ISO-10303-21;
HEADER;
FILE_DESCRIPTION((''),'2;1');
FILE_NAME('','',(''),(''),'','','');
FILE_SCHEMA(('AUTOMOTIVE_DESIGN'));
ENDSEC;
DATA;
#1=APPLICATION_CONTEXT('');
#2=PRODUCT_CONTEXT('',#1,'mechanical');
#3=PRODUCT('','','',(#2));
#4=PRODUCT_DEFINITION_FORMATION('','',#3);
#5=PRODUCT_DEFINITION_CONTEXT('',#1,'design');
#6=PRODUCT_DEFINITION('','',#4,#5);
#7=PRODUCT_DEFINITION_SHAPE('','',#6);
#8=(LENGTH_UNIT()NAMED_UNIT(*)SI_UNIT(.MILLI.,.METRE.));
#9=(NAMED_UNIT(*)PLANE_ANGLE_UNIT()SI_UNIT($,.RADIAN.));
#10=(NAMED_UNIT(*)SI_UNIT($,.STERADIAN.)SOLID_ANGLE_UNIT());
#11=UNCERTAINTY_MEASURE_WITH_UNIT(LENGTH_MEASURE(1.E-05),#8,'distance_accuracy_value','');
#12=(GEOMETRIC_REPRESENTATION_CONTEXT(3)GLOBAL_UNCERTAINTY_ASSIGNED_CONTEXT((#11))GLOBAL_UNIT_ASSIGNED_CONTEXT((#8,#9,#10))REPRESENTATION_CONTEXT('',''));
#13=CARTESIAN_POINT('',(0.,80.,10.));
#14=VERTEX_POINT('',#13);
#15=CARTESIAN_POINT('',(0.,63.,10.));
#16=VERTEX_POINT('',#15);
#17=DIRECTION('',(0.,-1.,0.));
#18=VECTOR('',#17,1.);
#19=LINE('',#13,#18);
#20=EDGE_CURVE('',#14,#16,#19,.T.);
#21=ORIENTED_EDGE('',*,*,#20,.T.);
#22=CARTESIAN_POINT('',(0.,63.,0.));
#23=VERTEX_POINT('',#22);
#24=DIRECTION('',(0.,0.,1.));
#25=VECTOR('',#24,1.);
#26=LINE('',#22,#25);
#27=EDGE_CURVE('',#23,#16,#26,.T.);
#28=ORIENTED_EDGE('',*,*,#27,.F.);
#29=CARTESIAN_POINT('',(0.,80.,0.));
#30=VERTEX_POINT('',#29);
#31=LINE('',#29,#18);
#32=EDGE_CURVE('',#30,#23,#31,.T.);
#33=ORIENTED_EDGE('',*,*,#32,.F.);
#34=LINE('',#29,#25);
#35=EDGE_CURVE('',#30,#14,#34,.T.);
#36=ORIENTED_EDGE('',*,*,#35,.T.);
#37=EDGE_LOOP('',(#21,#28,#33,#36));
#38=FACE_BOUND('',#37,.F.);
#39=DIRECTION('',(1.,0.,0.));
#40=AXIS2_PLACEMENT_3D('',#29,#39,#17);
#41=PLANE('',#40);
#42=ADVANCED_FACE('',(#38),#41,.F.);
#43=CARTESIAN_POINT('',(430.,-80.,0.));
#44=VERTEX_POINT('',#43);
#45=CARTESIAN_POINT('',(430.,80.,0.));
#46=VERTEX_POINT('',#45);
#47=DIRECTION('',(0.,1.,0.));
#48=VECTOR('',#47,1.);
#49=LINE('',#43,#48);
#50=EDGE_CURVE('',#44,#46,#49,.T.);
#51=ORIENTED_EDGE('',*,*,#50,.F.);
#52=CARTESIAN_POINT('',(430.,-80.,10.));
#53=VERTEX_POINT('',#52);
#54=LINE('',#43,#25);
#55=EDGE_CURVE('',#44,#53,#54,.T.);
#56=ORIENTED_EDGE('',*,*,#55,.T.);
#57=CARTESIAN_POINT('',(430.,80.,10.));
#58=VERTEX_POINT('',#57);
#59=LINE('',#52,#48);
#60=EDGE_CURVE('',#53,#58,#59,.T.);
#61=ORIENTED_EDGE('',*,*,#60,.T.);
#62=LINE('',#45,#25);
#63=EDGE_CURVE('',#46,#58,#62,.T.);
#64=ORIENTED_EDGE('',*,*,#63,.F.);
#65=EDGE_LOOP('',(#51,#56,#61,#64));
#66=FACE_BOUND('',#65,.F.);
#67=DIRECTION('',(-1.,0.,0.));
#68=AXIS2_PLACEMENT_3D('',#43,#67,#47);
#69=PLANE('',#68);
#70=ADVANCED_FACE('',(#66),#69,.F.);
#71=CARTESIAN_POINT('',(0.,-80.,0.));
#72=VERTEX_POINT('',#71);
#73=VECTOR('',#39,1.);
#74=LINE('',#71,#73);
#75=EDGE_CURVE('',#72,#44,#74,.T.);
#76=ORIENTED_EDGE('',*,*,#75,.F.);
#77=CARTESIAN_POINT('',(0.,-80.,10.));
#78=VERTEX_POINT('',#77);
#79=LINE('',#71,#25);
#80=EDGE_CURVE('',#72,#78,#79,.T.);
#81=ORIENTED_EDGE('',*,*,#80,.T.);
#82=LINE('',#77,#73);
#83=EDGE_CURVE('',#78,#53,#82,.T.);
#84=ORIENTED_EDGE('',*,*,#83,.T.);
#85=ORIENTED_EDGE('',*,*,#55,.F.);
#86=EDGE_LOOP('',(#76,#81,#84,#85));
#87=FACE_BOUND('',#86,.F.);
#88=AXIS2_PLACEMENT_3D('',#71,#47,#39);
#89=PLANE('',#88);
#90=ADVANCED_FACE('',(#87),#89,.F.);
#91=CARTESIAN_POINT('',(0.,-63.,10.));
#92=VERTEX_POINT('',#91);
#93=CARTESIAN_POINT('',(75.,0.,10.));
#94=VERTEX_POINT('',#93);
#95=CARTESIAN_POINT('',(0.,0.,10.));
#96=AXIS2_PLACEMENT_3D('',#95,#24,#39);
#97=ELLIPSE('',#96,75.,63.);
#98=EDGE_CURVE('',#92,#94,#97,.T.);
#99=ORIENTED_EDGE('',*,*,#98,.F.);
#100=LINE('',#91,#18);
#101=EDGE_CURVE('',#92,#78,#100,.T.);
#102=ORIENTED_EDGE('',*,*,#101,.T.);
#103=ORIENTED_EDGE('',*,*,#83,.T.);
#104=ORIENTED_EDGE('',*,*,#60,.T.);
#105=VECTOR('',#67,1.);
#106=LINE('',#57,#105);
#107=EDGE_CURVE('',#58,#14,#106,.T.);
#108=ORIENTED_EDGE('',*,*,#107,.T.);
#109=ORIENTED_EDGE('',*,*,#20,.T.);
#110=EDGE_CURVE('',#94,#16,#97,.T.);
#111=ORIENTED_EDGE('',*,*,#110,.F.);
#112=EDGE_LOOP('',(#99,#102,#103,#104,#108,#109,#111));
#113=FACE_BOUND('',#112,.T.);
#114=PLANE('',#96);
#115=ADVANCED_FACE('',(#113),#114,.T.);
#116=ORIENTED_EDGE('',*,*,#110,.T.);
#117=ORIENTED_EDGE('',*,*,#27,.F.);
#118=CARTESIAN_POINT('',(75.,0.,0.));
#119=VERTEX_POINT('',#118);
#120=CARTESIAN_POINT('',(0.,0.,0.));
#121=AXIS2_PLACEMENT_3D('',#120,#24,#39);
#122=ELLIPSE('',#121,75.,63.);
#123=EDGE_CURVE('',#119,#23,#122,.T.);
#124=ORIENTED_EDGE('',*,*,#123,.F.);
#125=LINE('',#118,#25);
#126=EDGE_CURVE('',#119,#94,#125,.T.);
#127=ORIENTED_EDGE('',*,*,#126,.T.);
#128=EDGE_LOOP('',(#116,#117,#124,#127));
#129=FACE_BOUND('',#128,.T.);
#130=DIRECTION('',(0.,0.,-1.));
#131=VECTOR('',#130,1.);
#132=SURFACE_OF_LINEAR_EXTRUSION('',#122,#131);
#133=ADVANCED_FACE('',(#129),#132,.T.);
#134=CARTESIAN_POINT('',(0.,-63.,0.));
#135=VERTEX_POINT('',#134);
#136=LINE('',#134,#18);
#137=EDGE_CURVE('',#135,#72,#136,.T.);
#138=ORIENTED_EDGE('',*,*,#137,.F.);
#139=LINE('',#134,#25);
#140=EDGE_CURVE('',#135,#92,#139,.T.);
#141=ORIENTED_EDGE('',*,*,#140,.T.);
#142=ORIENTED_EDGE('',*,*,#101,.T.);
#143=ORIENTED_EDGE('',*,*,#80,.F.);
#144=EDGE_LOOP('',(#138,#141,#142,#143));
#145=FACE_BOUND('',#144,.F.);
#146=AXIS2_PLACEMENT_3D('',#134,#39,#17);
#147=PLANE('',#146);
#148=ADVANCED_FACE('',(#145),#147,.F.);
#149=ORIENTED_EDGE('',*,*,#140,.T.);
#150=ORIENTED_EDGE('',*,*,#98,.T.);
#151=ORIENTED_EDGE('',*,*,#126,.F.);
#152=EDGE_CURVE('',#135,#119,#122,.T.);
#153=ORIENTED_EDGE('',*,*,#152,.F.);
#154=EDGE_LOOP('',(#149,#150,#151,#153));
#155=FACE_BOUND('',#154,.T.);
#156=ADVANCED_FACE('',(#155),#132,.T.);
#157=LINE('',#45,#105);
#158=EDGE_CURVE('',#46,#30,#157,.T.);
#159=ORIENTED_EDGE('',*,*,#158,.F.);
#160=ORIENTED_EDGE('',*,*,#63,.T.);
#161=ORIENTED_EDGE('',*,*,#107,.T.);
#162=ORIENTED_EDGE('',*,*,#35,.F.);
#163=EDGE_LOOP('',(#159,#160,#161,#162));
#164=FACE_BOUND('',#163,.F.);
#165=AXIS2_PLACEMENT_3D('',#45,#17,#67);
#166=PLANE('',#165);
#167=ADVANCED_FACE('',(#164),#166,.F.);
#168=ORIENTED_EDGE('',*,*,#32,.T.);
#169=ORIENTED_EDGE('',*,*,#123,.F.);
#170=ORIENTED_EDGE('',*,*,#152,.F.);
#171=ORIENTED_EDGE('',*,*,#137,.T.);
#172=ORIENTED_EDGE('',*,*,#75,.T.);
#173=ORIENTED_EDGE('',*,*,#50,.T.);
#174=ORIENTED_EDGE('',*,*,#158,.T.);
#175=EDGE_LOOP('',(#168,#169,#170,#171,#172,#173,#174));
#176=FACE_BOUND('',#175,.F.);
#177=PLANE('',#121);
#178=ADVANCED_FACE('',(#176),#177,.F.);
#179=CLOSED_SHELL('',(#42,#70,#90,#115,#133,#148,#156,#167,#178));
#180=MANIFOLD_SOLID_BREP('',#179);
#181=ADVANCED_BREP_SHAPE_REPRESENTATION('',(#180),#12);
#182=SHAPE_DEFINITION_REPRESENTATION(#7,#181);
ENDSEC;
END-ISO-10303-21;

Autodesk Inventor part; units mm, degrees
ref_plane "YZ Plane" through (0, 0, 0) normal (1, 0, 0) x (0, 1, 0)
ref_plane "XZ Plane" through (0, 0, 0) normal (0, 1, 0) x (-1, 0, 0)
ref_plane "XY Plane" through (0, 0, 0) normal (0, 0, 1) x (1, 0, 0)
sketch "Sketch1" plane through (0, 0, 0) normal (0, 0, 1) x (1, 0, 0)
  ellipse E0 centre (0, 0) end of major axis (75, 0) minor radius 63
  line L0 (0, -63) -> (0, -80)
  line L1 (0, -80) -> (430, -80)
  line L2 (430, -80) -> (430, 80)
  line L3 (430, 80) -> (0, 80)
  line L4 (0, 80) -> (0, 63)
  line L5 (0, 0) -> (430, 0) construction
  point P0 (0, 71.5)
  dimension "d12" = 75
  dimension "d13" = 63
  dimension "d14" = 160
  dimension "d15" = 430
extrude "Plate1" add sketch "Sketch1" along normal blind 10 contours E0 L4 L3 L2 L1 L0
equation "\"d16\" = Thickness"
equation "\"BendReliefDepth\" = 0.5 * Thickness"
equation "\"Thickness\" = 10"
properties part number "NVPH-345 feeder hose 2"
